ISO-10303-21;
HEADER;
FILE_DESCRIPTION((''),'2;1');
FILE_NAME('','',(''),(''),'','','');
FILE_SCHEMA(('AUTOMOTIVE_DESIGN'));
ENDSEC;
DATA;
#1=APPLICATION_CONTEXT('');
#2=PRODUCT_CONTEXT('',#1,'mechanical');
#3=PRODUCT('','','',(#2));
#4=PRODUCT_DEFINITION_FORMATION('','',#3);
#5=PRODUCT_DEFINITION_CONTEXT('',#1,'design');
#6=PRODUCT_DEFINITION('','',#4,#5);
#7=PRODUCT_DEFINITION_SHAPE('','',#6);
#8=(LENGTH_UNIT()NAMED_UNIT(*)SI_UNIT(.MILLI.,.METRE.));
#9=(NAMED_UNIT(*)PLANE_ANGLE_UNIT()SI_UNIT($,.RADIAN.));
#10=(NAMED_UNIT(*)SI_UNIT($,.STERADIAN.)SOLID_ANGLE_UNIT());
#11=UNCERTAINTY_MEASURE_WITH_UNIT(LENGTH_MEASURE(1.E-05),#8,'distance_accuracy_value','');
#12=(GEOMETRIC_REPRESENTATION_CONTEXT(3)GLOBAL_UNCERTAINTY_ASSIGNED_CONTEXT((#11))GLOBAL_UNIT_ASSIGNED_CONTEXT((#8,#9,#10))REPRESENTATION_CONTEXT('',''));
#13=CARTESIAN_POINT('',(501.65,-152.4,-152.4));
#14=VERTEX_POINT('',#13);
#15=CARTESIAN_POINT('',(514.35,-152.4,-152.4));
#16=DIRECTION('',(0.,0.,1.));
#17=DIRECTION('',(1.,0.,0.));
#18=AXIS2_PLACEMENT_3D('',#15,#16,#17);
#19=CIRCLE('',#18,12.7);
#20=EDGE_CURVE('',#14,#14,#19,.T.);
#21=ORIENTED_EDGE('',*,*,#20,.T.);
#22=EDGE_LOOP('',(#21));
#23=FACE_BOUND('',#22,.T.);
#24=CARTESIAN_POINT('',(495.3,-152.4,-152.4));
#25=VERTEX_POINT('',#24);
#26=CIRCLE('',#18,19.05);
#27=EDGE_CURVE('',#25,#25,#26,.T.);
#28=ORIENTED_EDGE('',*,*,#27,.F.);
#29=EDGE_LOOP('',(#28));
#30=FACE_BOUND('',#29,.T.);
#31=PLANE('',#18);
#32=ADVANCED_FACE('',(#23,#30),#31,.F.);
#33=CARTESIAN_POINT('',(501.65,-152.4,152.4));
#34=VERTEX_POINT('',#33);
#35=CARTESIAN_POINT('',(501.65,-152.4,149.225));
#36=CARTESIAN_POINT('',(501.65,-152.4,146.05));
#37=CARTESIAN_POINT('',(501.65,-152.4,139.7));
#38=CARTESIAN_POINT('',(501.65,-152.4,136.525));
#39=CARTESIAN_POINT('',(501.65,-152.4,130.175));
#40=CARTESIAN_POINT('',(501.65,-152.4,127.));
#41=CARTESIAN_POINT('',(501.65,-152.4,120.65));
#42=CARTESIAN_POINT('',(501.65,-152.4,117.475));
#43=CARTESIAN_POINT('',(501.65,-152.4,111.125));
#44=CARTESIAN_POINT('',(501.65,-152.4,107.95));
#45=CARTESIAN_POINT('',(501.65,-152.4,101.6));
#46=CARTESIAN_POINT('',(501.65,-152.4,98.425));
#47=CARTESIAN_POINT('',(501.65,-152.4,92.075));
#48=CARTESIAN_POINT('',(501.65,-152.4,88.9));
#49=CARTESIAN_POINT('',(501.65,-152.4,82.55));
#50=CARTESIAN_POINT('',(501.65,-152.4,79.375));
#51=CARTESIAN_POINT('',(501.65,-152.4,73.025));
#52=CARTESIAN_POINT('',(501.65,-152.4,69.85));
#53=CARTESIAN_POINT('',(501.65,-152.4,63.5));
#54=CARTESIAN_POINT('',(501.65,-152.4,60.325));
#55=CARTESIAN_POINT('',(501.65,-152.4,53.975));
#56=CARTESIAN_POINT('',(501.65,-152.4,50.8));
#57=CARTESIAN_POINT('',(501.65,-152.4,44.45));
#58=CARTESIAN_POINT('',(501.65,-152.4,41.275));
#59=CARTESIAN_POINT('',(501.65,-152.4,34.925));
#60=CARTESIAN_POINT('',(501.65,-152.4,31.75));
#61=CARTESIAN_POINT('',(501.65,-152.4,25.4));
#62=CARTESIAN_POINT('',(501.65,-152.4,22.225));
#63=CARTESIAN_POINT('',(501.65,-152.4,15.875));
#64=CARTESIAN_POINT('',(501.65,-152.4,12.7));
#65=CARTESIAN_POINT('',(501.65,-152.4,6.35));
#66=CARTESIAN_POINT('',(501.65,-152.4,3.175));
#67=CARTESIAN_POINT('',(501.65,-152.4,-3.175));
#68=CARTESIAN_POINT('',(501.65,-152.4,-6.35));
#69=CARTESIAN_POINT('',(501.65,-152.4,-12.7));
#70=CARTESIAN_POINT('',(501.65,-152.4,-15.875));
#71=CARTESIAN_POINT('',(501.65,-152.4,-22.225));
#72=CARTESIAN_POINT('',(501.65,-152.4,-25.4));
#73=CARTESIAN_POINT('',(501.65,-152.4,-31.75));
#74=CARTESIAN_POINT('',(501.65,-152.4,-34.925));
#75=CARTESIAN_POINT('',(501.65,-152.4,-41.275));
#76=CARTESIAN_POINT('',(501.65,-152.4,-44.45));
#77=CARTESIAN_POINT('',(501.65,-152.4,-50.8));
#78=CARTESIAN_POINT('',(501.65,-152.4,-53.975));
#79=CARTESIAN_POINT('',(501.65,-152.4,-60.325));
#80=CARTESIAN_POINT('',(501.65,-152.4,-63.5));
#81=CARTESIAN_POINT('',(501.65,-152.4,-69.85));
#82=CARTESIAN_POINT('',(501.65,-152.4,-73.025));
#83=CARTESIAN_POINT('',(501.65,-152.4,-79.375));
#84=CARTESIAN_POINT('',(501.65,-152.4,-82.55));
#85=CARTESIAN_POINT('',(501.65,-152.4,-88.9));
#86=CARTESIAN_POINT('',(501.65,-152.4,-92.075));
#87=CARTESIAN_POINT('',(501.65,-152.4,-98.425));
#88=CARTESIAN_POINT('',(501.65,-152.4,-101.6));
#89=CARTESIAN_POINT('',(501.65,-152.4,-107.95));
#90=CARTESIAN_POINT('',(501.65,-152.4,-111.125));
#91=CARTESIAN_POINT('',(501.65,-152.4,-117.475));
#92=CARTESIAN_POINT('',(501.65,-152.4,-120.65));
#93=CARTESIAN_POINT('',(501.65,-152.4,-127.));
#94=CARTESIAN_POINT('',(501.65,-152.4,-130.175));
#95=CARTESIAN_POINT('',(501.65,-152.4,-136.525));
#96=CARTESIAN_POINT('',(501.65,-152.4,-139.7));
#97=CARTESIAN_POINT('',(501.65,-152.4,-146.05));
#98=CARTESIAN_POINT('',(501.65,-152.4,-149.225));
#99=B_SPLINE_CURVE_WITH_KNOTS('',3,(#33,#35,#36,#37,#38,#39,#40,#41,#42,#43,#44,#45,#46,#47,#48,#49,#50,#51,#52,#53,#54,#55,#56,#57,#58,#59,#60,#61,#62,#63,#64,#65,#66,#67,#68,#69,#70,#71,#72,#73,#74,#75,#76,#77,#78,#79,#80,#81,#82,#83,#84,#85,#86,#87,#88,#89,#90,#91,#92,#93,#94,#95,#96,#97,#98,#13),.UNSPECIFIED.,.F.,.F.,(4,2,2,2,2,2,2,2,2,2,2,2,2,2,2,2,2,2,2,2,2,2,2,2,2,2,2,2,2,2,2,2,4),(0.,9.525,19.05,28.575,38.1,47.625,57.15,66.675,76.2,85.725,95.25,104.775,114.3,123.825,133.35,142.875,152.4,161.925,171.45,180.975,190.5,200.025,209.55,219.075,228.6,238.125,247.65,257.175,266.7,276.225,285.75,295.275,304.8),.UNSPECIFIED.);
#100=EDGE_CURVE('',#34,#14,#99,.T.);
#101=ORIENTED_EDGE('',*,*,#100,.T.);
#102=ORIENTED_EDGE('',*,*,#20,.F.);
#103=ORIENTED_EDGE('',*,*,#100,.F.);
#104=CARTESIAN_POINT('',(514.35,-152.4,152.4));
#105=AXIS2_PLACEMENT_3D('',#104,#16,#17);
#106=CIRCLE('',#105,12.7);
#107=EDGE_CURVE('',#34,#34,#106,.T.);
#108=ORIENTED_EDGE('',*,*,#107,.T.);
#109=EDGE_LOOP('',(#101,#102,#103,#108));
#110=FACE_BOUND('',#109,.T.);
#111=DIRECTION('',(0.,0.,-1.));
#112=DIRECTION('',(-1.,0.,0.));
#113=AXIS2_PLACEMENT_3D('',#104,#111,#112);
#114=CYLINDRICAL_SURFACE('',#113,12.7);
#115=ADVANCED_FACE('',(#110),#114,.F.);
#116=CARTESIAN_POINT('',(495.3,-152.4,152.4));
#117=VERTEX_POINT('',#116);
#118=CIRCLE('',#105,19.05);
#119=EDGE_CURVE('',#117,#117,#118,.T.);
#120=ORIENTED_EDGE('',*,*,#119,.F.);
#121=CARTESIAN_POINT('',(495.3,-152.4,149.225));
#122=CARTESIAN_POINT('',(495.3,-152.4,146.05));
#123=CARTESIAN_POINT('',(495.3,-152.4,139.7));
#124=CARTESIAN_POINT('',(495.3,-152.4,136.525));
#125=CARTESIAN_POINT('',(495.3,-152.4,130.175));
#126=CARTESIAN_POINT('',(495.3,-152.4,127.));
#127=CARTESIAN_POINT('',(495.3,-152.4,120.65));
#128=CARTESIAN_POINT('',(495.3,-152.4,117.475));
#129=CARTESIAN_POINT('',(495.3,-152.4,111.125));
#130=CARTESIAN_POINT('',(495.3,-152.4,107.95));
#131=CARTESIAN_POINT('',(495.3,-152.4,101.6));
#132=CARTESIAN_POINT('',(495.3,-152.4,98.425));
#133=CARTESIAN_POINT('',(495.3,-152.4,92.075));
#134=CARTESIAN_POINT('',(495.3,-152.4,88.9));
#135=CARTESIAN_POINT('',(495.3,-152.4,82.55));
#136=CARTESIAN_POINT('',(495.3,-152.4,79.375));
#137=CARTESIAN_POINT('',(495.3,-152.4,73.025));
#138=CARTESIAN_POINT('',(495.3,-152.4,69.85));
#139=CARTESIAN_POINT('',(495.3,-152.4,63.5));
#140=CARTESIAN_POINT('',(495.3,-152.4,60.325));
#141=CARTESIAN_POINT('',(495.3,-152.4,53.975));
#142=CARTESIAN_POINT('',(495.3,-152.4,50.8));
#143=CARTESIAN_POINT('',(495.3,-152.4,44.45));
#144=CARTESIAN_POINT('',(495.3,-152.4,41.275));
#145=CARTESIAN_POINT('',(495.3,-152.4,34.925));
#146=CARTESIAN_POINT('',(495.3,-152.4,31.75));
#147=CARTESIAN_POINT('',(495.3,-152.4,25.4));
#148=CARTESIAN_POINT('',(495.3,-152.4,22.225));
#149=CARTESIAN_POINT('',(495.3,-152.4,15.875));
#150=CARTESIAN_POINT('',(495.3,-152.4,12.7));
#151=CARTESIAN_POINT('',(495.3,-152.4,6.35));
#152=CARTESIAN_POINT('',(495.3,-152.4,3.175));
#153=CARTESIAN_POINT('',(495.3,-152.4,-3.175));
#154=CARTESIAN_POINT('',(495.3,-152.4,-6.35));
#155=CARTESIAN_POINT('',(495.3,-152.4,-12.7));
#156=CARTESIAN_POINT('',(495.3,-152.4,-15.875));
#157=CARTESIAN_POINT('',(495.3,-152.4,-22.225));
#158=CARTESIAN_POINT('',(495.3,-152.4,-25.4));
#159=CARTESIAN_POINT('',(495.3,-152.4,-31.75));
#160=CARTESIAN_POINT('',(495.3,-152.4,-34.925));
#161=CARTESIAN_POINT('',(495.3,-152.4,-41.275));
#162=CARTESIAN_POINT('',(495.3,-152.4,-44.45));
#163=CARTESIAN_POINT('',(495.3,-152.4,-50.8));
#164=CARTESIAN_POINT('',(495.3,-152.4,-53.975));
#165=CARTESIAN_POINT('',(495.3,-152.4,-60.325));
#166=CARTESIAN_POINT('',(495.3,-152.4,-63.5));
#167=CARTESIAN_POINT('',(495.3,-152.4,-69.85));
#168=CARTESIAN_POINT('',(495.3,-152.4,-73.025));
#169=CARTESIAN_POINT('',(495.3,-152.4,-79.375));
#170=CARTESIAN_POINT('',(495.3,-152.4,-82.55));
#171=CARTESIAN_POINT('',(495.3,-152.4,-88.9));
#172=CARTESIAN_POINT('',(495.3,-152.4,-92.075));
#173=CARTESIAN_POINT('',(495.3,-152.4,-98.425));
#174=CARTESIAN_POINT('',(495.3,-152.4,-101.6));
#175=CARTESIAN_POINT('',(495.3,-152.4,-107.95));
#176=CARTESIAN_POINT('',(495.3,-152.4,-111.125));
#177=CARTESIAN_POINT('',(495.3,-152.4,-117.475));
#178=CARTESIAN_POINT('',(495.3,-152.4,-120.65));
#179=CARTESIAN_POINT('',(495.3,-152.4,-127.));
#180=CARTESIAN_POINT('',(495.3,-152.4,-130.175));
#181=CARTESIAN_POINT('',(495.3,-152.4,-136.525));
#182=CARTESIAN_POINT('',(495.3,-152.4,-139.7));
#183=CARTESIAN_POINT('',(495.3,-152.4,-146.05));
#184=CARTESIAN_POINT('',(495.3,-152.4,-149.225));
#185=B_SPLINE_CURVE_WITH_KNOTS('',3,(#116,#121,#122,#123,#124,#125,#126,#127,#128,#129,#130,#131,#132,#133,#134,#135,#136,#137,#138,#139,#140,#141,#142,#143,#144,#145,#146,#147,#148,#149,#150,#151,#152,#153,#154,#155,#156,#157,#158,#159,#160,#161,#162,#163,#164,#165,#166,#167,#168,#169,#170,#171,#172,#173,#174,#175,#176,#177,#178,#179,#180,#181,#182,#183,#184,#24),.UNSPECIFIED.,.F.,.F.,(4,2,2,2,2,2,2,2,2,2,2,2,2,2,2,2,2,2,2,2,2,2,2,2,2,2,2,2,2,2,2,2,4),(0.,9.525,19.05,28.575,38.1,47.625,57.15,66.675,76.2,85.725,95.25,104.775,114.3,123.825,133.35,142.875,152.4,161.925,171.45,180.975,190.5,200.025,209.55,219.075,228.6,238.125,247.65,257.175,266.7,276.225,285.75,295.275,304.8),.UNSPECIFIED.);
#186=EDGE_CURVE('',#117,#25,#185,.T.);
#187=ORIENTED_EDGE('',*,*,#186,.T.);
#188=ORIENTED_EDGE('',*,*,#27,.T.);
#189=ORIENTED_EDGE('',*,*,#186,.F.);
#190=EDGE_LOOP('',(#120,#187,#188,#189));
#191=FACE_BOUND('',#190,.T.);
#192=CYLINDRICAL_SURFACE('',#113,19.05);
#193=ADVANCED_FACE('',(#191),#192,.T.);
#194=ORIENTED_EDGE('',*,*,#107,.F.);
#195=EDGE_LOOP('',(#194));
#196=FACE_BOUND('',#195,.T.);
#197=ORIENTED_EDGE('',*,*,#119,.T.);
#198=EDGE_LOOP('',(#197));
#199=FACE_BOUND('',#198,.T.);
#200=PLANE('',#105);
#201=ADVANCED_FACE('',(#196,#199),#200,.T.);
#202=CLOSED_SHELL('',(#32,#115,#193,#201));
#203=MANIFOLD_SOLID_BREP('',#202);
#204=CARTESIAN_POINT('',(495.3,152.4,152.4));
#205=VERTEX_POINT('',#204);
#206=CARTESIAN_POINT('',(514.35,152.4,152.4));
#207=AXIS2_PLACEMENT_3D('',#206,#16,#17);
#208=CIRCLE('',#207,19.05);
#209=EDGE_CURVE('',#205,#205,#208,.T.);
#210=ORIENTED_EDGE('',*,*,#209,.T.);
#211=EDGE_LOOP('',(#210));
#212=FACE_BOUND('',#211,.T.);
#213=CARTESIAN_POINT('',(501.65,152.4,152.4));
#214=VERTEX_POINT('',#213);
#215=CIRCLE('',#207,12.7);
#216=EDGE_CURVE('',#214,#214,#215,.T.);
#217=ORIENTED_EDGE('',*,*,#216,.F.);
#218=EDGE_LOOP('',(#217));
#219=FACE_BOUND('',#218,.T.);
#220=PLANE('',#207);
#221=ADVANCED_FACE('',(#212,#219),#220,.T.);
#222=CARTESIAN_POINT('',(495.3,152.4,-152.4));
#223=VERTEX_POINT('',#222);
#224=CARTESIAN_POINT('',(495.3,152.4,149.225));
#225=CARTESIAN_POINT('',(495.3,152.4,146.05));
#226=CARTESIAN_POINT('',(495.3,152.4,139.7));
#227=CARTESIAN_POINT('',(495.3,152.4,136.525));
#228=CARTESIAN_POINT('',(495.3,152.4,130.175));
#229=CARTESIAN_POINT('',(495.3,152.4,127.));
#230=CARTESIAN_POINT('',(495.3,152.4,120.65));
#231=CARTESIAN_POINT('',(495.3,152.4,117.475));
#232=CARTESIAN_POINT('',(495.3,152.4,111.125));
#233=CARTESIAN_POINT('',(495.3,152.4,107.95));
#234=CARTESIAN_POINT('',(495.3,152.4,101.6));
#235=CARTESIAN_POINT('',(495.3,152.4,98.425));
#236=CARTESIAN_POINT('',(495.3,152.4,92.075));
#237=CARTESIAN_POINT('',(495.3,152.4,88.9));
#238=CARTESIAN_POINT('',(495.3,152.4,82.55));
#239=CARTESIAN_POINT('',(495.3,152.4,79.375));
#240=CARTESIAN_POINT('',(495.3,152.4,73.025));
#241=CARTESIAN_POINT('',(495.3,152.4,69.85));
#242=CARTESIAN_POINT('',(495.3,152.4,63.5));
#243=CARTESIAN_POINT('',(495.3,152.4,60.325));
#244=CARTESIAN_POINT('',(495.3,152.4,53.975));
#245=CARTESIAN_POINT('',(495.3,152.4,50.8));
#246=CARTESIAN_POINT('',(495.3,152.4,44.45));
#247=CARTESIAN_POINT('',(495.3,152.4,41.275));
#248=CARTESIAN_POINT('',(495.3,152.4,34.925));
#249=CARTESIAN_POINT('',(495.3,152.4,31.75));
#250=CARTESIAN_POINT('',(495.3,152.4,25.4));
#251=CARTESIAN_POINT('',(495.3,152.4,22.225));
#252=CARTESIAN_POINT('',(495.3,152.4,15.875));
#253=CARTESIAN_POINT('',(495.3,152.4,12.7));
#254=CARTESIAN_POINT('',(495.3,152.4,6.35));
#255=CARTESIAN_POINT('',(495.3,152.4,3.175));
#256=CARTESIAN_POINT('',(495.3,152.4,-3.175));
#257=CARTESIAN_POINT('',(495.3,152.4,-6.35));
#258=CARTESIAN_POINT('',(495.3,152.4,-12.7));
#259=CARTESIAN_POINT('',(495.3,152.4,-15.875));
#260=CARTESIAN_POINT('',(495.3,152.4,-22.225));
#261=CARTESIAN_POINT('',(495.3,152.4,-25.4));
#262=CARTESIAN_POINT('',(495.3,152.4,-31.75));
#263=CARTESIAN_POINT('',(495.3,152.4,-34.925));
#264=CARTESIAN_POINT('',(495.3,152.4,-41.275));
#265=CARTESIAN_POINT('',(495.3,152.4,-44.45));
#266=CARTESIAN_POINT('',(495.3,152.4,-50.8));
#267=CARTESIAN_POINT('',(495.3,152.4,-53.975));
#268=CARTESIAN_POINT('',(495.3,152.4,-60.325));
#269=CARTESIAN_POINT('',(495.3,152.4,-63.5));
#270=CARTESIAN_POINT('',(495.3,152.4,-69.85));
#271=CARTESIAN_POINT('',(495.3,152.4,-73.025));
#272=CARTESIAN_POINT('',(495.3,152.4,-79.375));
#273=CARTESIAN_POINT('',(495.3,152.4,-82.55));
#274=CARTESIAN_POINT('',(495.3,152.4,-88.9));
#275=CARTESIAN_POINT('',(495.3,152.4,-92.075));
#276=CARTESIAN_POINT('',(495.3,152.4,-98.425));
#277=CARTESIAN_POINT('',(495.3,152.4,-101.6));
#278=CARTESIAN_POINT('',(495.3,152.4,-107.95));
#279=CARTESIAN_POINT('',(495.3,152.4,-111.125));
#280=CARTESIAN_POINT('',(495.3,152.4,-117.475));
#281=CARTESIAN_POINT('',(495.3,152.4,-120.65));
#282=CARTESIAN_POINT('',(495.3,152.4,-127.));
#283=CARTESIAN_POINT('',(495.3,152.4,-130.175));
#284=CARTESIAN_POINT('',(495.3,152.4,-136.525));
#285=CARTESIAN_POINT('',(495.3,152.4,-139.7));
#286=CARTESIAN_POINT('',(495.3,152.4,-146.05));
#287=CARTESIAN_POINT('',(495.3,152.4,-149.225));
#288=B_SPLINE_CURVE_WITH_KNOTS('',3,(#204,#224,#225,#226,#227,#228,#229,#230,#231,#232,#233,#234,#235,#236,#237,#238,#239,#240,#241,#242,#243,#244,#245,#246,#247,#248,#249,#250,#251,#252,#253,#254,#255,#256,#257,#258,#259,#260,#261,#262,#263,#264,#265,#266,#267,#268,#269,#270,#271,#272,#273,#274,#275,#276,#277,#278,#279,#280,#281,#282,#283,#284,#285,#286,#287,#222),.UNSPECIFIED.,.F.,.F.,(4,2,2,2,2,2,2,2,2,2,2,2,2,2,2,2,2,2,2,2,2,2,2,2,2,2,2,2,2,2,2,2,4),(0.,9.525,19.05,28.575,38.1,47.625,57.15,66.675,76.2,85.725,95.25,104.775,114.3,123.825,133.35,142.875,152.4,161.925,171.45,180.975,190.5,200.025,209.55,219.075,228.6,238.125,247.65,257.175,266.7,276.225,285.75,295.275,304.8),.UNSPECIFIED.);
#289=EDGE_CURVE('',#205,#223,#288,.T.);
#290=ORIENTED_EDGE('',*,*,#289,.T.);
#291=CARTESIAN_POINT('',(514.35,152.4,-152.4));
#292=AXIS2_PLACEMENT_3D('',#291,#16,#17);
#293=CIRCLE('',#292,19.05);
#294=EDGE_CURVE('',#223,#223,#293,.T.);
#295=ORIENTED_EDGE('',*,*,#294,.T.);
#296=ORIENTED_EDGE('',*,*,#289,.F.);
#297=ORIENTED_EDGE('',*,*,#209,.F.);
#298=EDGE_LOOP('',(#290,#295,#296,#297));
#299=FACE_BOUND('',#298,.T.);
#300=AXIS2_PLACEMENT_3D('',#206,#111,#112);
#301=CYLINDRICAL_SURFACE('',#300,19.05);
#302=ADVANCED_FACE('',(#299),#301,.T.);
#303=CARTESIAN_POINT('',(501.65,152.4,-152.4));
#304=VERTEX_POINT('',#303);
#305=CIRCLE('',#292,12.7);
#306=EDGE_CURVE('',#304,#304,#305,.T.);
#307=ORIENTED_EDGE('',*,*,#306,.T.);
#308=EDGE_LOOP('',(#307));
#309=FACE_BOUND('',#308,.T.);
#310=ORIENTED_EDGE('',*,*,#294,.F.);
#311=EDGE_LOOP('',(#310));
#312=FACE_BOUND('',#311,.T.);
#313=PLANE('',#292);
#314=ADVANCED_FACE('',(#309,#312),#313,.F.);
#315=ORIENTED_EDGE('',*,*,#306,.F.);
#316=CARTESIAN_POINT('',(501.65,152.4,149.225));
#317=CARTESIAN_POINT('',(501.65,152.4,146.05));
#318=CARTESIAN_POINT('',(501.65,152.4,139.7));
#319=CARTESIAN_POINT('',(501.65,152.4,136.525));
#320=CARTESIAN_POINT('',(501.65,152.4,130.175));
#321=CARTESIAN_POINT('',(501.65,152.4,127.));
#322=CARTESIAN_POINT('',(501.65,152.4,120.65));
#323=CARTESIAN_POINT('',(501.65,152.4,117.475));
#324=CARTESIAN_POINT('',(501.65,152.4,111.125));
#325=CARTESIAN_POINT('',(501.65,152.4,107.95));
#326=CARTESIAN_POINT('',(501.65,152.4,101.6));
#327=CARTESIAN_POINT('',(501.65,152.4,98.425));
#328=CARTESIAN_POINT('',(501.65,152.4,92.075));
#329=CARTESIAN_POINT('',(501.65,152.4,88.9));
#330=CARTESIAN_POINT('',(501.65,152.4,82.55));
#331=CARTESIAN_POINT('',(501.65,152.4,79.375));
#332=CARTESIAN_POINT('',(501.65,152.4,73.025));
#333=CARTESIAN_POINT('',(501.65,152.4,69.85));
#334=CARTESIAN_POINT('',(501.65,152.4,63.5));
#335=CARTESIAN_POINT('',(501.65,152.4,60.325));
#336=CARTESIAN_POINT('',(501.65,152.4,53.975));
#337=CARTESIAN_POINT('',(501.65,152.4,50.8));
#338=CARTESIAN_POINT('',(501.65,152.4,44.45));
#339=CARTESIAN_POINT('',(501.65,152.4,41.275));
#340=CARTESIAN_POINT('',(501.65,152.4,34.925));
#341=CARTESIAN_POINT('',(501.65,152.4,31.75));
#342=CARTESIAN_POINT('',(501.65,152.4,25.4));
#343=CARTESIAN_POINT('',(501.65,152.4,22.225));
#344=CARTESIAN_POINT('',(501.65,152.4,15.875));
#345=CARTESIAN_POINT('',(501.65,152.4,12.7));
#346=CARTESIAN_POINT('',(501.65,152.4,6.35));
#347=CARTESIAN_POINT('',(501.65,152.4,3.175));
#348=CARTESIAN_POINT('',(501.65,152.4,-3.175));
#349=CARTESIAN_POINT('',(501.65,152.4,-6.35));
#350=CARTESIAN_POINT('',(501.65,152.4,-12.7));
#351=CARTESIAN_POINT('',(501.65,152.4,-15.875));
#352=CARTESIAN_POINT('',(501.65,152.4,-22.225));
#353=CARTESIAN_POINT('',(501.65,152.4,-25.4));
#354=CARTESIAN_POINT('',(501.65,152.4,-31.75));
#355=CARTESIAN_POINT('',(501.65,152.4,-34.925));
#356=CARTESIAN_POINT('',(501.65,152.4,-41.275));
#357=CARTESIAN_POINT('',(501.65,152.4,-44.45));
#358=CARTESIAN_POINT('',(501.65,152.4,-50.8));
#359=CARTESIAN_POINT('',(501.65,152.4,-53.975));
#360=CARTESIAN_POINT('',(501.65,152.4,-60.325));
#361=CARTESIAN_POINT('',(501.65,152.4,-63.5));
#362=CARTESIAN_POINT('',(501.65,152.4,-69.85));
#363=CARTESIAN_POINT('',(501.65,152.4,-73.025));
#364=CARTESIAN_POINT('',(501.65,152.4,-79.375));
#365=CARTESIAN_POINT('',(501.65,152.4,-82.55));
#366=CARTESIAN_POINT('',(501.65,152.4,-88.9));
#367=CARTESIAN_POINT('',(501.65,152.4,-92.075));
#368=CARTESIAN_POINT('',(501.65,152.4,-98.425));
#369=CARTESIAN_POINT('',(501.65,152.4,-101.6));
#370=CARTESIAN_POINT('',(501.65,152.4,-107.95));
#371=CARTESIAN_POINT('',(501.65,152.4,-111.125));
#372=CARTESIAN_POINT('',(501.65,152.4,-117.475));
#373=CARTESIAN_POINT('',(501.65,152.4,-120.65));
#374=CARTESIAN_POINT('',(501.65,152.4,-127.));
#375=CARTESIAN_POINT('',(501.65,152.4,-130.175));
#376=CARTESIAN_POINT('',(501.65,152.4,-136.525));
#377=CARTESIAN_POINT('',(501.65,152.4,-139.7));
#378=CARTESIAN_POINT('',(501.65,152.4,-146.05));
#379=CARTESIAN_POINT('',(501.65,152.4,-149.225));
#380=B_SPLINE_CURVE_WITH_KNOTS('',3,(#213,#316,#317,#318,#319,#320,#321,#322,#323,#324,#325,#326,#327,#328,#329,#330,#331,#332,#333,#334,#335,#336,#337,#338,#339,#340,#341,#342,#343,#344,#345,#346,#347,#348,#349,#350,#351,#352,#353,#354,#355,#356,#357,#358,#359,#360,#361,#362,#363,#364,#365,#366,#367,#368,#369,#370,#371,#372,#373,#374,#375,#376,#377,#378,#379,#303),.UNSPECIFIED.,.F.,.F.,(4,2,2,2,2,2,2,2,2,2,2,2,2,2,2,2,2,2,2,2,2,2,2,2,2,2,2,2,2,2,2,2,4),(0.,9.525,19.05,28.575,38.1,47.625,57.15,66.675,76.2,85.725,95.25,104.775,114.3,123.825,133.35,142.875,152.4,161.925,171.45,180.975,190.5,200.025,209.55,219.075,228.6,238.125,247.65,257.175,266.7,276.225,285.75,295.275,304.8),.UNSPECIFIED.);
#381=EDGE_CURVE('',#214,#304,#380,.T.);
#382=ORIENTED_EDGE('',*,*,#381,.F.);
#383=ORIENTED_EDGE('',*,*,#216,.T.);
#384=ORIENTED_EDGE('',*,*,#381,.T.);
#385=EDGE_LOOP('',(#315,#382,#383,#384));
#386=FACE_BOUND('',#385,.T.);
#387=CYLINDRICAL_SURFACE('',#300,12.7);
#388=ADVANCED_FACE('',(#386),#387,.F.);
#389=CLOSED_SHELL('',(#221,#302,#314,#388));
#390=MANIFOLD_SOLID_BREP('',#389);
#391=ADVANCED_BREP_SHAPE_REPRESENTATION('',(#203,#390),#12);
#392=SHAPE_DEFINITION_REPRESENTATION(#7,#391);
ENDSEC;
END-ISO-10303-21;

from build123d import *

# Parameters (mm, degrees)
SKETCH1_R        = 19.05
SKETCH1_R_2      = 12.7
EXTRUDE1_DEPTH   = 152.4
EXTRUDE1_2_DEPTH = 152.4


with BuildPart() as part:
    # Sketch1 → Extrude1 (new, symmetric)
    with BuildSketch(Plane.XY):
        with Locations((514.35, 152.4)):
            Circle(SKETCH1_R)
        with Locations((514.35, 152.4)):
            Circle(SKETCH1_R_2, mode=Mode.SUBTRACT)
    extrude(amount=EXTRUDE1_DEPTH, both=True)


with BuildPart() as body_2:
    # Sketch1 → Extrude1 2 (new, symmetric)
    with BuildSketch(Plane.XY):
        with Locations((514.35, -152.4)):
            Circle(SKETCH1_R)
        with Locations((514.35, -152.4)):
            Circle(SKETCH1_R_2, mode=Mode.SUBTRACT)
    extrude(amount=EXTRUDE1_2_DEPTH, both=True)


solid = Compound([part.part, body_2.part])
